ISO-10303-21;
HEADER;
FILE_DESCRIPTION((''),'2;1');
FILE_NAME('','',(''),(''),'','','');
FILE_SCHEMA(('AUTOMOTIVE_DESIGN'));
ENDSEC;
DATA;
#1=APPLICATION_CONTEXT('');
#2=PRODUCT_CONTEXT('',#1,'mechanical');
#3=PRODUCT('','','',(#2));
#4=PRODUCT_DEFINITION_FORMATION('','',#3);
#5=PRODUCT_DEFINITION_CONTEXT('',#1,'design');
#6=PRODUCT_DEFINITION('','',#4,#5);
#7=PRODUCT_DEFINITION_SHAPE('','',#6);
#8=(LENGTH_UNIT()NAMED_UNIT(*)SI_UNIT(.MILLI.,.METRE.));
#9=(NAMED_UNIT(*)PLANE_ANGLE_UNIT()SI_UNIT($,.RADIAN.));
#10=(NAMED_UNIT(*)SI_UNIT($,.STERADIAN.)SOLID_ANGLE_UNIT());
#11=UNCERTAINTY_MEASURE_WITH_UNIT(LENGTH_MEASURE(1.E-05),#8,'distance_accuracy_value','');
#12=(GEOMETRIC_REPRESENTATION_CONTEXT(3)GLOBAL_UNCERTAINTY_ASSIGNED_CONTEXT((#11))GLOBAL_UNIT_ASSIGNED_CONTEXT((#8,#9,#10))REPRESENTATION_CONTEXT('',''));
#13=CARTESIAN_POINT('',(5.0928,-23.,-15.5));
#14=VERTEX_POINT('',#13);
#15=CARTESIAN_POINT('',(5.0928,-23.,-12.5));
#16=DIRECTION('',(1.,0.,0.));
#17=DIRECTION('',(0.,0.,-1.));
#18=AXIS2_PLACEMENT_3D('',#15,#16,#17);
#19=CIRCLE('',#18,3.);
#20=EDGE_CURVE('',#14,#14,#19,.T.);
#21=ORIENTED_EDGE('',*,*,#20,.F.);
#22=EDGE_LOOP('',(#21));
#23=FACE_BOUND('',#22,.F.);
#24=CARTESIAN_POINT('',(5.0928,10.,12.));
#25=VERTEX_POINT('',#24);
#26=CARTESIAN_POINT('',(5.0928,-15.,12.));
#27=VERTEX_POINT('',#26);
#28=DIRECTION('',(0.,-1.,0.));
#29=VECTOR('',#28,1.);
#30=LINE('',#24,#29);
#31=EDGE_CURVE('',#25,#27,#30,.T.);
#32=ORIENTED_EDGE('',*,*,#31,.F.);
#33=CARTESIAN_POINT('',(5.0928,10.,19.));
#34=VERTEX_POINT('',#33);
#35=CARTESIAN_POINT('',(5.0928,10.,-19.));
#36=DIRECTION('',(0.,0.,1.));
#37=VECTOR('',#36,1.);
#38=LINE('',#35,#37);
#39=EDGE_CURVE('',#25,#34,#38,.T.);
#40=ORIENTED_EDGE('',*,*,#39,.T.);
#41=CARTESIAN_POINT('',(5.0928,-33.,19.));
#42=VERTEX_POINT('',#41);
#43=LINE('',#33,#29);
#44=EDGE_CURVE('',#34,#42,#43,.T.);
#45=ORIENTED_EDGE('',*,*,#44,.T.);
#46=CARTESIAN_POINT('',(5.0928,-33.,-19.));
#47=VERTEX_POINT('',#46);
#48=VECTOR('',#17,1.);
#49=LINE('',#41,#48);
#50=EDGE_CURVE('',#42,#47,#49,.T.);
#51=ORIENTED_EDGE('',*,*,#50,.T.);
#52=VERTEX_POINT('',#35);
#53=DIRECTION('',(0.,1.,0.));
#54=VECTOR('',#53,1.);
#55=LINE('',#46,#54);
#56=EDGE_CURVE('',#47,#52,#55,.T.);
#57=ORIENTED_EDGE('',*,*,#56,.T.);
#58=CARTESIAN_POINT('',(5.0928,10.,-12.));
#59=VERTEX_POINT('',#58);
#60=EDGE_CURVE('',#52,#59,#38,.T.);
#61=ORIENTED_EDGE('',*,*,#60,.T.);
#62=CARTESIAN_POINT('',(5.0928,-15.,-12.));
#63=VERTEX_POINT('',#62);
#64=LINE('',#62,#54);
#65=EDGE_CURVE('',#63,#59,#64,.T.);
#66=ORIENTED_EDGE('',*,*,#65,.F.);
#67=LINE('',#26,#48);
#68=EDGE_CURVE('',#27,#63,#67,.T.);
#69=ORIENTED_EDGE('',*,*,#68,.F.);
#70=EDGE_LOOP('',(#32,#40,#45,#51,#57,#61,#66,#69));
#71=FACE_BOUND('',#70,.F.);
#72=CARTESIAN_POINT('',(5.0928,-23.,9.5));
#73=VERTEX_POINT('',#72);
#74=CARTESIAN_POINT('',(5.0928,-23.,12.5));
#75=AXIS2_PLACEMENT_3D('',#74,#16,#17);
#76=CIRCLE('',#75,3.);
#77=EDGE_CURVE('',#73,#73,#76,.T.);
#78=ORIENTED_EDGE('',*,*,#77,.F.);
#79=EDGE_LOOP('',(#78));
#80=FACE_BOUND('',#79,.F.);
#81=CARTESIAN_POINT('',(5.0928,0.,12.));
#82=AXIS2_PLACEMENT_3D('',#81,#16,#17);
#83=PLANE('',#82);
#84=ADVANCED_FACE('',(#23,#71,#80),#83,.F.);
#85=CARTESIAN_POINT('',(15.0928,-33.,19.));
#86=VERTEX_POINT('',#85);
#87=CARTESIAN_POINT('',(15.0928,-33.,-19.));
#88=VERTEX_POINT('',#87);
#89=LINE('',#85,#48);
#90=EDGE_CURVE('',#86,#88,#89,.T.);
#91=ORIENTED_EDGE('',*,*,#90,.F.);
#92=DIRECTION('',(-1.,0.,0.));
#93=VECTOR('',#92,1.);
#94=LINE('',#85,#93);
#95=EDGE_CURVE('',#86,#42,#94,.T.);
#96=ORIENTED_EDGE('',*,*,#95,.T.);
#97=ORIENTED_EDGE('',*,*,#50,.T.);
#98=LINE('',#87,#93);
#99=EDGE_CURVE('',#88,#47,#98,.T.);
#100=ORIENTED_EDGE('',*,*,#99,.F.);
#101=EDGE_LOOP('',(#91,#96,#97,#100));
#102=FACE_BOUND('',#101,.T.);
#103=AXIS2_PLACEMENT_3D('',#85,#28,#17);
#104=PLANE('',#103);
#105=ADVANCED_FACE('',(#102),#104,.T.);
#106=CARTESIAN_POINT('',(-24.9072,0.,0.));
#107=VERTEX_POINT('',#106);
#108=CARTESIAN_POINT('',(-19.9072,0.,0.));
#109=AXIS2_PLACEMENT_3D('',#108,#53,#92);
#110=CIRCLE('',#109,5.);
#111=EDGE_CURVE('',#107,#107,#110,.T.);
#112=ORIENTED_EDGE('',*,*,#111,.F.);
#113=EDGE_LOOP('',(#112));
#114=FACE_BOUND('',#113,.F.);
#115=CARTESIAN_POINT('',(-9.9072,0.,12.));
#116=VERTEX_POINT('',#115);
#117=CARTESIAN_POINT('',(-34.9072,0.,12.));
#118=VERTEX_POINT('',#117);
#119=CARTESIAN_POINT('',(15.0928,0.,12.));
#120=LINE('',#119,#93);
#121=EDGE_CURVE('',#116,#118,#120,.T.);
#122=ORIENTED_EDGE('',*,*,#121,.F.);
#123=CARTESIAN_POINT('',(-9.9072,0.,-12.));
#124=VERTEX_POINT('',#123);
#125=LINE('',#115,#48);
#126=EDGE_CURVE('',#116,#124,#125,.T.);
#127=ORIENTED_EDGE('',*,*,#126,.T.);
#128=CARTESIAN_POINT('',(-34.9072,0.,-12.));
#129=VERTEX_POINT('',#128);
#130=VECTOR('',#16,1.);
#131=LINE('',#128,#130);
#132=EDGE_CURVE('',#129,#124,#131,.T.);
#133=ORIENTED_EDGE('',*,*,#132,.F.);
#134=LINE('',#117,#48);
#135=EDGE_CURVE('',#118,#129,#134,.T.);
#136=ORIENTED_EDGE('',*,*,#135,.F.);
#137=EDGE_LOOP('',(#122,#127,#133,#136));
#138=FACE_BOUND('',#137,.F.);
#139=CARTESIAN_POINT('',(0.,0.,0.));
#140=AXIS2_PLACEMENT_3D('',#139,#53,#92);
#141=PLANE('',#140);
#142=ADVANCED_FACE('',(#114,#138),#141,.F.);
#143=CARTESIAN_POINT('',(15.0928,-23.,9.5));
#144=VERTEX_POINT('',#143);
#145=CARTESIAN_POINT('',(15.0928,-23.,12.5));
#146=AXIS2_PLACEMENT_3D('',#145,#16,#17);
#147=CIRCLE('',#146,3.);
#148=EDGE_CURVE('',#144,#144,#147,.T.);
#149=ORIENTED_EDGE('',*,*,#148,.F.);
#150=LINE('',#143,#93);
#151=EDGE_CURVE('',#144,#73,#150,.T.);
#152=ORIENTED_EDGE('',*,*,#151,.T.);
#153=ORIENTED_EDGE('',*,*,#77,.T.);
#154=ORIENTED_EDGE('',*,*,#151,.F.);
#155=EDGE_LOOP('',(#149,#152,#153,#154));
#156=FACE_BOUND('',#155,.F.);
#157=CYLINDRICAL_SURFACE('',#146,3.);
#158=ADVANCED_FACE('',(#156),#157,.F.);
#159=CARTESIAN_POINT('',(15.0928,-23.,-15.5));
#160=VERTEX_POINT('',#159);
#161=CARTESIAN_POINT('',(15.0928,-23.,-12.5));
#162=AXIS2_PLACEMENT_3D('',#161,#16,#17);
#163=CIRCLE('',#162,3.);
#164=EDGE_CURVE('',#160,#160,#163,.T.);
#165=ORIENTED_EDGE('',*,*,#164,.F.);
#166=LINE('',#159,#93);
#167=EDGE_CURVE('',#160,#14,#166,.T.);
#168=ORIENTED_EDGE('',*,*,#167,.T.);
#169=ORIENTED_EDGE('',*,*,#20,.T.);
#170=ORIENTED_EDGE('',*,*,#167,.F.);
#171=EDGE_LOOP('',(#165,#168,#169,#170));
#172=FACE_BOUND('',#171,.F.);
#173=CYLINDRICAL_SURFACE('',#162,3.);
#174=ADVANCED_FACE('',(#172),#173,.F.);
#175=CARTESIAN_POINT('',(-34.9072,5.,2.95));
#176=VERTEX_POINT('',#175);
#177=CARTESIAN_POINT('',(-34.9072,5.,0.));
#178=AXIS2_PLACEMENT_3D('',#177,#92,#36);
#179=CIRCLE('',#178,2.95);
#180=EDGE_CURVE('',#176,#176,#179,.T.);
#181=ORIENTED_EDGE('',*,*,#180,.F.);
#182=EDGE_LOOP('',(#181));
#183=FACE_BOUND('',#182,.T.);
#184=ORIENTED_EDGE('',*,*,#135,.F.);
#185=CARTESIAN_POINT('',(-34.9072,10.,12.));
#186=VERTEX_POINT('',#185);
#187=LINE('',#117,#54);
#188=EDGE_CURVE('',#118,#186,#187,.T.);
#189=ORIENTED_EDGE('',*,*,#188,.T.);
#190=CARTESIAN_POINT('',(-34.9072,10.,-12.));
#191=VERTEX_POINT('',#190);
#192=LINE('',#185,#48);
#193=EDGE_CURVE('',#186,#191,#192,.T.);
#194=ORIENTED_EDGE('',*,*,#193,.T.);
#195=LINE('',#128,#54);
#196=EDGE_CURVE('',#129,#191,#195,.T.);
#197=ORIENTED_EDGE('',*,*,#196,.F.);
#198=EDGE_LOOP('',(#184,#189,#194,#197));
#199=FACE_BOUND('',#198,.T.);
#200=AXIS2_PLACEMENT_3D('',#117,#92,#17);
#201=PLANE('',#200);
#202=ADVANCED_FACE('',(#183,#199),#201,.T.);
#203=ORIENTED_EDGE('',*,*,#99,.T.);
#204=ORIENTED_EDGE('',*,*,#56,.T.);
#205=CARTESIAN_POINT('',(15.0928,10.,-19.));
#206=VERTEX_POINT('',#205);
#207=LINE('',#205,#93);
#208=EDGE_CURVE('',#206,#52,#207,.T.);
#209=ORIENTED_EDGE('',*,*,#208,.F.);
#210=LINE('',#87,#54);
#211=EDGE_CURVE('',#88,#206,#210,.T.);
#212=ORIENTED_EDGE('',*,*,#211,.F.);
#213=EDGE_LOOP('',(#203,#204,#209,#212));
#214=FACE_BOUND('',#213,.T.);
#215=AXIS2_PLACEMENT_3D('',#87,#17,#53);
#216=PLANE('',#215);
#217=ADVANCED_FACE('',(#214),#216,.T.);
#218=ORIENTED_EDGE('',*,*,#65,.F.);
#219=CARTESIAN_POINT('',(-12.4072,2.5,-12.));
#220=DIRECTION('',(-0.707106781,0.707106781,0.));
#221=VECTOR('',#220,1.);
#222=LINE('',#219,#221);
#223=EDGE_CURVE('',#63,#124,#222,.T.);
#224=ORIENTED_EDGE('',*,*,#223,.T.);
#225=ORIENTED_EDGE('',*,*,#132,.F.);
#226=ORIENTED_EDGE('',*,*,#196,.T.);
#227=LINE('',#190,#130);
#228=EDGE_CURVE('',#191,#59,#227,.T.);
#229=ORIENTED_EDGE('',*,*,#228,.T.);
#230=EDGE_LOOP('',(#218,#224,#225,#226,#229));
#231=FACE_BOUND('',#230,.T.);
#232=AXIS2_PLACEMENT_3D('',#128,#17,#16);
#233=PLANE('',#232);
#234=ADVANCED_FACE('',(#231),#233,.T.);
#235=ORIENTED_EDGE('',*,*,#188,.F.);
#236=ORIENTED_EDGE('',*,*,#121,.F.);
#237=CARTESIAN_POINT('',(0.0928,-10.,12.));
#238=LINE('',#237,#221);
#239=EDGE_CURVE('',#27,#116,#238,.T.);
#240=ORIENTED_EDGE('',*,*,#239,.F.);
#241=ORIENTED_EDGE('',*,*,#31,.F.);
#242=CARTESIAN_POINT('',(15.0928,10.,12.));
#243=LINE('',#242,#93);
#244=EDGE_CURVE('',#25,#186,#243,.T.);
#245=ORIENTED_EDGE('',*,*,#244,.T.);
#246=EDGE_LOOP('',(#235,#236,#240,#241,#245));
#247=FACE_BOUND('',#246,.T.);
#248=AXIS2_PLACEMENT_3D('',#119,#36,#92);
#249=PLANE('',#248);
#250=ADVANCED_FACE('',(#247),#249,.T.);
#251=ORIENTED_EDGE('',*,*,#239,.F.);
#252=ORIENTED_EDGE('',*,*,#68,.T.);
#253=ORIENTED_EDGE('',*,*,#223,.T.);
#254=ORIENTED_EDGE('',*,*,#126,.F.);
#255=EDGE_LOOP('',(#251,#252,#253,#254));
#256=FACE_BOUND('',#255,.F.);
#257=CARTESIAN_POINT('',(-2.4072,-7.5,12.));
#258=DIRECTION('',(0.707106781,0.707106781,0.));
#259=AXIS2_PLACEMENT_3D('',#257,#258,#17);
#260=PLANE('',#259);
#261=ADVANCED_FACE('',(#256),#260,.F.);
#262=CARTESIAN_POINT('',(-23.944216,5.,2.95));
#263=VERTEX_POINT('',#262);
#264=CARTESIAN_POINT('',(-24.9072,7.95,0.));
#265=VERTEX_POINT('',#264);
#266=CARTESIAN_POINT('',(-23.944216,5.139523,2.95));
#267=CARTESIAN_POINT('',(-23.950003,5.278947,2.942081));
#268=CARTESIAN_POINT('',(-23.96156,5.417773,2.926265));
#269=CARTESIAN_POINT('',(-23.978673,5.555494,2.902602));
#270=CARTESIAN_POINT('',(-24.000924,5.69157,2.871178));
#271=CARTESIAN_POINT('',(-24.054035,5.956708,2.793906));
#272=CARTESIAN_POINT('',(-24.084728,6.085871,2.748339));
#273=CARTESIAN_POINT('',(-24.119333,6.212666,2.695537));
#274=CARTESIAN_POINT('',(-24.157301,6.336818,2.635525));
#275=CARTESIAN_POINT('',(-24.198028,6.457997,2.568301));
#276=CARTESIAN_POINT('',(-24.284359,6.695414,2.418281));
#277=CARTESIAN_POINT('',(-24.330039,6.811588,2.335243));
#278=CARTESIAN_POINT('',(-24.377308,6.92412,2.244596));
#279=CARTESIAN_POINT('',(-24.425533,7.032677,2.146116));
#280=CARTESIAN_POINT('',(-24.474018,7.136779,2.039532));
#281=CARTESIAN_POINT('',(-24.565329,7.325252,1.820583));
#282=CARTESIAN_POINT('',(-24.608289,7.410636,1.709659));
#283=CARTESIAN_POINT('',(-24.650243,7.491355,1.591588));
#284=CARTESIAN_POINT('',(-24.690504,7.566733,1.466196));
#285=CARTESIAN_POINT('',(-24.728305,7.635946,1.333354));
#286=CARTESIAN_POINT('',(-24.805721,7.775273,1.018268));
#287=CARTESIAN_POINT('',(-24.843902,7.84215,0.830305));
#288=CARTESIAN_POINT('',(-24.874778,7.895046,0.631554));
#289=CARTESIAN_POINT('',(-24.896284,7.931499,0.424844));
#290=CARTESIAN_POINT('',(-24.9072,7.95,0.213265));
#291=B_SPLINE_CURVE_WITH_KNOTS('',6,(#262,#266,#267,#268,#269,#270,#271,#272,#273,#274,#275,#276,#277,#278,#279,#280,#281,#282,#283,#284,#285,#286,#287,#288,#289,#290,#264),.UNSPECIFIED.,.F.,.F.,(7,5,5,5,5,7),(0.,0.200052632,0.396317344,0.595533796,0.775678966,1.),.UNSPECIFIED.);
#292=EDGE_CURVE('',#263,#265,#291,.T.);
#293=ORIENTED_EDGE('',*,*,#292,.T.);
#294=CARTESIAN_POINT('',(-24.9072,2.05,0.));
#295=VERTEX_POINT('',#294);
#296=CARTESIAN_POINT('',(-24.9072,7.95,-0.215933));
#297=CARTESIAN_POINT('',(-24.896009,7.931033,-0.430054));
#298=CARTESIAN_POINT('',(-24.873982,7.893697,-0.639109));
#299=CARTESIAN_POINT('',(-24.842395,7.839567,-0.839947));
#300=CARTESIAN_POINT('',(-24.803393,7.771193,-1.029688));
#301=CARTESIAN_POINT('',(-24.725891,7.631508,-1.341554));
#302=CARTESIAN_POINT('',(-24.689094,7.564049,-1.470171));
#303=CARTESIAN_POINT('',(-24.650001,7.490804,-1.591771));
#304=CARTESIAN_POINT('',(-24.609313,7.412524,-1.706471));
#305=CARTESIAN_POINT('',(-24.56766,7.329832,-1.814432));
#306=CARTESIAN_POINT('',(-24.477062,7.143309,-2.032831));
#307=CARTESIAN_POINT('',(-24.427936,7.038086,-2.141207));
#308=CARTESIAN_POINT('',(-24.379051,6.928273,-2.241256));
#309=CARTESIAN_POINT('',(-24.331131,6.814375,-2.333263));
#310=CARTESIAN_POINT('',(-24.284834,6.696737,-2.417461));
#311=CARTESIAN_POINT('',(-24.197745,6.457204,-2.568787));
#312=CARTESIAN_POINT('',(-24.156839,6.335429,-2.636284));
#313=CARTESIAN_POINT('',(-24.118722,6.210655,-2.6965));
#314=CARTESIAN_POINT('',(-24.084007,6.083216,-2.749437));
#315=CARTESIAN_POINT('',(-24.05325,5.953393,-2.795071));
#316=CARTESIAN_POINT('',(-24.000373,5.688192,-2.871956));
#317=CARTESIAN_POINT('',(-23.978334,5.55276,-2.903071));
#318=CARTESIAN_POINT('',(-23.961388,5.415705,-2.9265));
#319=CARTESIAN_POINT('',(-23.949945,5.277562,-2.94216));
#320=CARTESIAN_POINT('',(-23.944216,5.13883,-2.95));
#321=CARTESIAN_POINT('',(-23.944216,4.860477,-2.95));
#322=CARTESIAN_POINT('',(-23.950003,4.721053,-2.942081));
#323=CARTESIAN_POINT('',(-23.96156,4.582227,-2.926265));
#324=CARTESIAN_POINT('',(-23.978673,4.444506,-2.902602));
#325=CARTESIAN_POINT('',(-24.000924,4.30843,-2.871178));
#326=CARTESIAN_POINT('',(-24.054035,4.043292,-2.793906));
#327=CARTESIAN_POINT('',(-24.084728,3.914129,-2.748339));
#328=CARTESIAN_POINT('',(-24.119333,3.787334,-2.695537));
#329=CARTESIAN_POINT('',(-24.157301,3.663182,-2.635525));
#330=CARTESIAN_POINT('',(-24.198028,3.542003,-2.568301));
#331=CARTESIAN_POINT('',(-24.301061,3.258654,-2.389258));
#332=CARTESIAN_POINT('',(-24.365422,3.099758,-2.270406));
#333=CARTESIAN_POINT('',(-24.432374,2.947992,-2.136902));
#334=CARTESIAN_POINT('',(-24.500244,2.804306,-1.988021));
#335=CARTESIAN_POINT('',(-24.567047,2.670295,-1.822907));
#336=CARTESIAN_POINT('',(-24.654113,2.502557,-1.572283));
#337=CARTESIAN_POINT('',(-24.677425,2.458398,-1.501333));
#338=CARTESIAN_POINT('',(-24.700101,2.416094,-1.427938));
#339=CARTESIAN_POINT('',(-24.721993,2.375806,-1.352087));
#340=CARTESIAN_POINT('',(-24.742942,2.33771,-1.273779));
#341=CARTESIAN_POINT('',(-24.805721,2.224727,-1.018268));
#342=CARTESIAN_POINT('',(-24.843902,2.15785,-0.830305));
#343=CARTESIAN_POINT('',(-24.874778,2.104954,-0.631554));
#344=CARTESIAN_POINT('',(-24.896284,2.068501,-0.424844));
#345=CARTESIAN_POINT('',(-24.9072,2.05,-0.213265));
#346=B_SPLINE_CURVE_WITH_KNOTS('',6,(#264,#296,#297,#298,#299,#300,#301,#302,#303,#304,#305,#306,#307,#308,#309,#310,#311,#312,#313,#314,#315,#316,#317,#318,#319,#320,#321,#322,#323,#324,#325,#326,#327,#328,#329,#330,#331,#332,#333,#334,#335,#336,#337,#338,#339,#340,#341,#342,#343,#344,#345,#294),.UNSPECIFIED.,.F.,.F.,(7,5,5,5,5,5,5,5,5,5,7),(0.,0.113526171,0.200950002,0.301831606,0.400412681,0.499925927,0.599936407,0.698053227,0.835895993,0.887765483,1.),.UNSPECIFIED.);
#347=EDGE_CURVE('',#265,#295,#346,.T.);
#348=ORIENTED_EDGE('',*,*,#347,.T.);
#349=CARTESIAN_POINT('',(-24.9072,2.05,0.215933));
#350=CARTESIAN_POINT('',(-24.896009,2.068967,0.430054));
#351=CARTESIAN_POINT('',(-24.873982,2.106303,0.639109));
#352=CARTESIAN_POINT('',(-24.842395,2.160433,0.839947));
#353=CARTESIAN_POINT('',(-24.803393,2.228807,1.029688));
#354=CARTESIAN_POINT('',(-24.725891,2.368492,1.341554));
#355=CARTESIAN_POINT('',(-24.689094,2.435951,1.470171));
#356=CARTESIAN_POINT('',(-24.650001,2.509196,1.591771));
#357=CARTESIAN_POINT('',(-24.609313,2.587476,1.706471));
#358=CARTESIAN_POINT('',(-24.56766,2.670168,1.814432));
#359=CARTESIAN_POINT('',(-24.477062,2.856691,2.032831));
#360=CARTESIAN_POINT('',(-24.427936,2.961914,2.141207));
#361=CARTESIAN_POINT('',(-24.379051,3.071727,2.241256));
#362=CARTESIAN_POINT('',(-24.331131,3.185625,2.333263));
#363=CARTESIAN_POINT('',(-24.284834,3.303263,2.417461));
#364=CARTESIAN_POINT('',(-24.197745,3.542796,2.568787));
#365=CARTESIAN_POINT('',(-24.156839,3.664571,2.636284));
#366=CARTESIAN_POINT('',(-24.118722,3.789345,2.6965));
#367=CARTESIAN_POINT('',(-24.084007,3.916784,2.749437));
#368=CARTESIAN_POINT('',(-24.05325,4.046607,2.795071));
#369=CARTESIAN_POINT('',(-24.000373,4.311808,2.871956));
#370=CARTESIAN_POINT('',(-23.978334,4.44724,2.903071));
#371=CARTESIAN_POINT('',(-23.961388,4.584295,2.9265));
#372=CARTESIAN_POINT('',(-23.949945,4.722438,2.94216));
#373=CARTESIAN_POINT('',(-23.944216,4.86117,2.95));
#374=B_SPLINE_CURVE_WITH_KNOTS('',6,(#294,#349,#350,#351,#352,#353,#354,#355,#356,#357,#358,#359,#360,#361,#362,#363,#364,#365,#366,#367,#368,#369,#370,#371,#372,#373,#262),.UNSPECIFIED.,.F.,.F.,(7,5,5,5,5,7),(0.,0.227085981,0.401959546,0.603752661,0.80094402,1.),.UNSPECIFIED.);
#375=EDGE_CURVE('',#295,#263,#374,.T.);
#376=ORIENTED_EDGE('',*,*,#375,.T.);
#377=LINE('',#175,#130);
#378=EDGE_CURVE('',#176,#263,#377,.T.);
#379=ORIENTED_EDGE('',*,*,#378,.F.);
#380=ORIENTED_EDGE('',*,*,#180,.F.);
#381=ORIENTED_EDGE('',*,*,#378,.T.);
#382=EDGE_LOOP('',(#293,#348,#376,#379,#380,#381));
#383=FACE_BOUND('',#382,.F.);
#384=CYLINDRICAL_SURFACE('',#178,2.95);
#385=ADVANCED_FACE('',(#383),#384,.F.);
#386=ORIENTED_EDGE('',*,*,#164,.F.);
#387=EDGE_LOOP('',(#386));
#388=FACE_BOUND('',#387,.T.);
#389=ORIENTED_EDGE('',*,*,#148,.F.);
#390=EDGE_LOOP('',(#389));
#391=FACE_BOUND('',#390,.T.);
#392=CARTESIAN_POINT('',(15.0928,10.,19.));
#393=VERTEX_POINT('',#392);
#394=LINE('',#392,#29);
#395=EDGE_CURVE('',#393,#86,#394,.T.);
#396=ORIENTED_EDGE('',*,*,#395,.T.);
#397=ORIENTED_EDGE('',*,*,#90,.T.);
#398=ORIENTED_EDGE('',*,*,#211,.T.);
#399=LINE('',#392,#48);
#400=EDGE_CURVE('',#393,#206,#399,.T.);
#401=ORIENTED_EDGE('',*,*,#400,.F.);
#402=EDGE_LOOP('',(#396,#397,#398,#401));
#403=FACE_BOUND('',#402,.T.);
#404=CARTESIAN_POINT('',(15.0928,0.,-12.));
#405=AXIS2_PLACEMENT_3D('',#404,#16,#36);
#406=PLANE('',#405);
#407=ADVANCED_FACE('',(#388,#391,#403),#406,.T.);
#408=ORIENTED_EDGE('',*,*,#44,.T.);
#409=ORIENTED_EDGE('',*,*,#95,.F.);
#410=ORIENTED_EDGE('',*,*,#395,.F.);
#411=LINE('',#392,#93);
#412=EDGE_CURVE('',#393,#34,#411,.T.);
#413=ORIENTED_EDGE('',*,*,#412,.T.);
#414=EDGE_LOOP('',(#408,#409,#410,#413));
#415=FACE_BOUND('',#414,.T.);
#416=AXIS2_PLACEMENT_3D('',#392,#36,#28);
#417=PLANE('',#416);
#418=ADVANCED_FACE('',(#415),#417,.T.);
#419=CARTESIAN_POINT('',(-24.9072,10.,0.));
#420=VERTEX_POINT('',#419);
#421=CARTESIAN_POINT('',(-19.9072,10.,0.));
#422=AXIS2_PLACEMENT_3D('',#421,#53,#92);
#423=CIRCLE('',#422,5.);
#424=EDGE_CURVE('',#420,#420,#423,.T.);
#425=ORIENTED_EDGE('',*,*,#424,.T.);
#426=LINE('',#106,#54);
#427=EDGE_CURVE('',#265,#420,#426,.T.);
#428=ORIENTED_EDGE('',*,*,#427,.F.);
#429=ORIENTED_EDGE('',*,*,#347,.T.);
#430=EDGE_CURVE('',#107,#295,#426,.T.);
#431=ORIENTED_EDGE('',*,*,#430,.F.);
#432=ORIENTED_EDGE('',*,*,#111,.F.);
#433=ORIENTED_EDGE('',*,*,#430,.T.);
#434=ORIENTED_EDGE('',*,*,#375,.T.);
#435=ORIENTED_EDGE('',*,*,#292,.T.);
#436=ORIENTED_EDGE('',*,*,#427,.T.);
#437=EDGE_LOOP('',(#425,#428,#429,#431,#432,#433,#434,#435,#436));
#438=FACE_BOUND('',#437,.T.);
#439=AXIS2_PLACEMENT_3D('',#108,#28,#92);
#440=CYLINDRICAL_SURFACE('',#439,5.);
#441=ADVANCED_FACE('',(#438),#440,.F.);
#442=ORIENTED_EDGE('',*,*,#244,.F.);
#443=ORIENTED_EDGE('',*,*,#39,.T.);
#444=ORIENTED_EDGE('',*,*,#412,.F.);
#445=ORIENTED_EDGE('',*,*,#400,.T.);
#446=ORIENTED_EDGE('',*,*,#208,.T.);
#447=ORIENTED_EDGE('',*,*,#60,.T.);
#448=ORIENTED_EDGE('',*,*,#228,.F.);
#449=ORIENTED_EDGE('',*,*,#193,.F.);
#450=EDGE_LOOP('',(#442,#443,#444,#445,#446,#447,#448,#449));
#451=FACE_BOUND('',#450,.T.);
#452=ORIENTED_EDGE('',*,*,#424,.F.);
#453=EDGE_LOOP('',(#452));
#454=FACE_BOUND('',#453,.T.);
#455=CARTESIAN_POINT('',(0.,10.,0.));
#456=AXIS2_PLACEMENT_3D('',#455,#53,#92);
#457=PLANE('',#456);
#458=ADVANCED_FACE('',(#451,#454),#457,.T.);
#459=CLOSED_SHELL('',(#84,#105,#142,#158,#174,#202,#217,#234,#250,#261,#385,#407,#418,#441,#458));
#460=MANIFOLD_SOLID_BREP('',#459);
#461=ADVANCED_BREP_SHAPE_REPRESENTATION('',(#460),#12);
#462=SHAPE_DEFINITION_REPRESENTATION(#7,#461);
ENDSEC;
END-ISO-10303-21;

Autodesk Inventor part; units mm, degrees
ref_plane "YZ Plane" through (0, 0, 0) normal (1, 0, 0) x (0, 1, 0)
ref_plane "XZ Plane" through (0, 0, 0) normal (0, 1, 0) x (-1, 0, 0)
ref_plane "XY Plane" through (0, 0, 0) normal (0, 0, 1) x (1, 0, 0)
sketch "Sketch1" plane through (0, 0, 0) normal (0, 1, 0) x (-1, 0, 0)
  circle A0 centre (19.9072, 0) radius 5
  line L0 (-15.0928, 12) -> (34.9072, 12)
  line L1 (34.9072, 12) -> (34.9072, -12)
  line L2 (34.9072, -12) -> (-15.0928, -12)
  line L3 (-15.0928, -12) -> (-15.0928, 12)
  point P0 (0, 0)
  dimension "d0" = 10
  dimension "d1" = 12
  dimension "d2" = 24
  dimension "d3" = 35
  dimension "d4" = 50
extrude "Extrusion1" add sketch "Sketch1" along normal blind 10
sketch "Sketch2" plane through (15.0928, 0, 12) normal (1, 0, 0) x (0, 0, -1)
  line L0 (12, 0) -> (12, -23) construction
  line L1 (12, -23) -> (-0.5, -23) construction
  circle A0 centre (-0.5, -23) radius 3
  line L2 (31, 10) -> (-7, 10)
  line L3 (-7, 10) -> (-7, -33)
  line L4 (-7, -33) -> (31, -33)
  line L5 (31, -33) -> (31, 10)
  line L6 (31, 10) -> (-7, -33) construction
  line L7 (-7, 10) -> (31, -33) construction
  circle A1 centre (24.5, -23) radius 3
  point P0 (12, -11.5)
  dimension "d7" = 6
  dimension "d8" = 12.5
extrude "Extrusion2" add sketch "Sketch2" against normal blind 10
chamfer "Chamfer1" distance 15 angle 45 1 edges at (5.0928, 0, 0)
sketch "Sketch3" plane through (-34.9072, 0, -12) normal (-1, 0, 0) x (0, 0, 1)
  circle A0 centre (12, 5) radius 2.95
  line L0 (0, 10) -> (24, 10) projected
  point P0 (12, 0)
  dimension "d14" = 5.9
  dimension "d15" = 5
extrude "Extrusion3" cut sketch "Sketch3" against normal blind 16
properties part number "Mitutoyo holder"
